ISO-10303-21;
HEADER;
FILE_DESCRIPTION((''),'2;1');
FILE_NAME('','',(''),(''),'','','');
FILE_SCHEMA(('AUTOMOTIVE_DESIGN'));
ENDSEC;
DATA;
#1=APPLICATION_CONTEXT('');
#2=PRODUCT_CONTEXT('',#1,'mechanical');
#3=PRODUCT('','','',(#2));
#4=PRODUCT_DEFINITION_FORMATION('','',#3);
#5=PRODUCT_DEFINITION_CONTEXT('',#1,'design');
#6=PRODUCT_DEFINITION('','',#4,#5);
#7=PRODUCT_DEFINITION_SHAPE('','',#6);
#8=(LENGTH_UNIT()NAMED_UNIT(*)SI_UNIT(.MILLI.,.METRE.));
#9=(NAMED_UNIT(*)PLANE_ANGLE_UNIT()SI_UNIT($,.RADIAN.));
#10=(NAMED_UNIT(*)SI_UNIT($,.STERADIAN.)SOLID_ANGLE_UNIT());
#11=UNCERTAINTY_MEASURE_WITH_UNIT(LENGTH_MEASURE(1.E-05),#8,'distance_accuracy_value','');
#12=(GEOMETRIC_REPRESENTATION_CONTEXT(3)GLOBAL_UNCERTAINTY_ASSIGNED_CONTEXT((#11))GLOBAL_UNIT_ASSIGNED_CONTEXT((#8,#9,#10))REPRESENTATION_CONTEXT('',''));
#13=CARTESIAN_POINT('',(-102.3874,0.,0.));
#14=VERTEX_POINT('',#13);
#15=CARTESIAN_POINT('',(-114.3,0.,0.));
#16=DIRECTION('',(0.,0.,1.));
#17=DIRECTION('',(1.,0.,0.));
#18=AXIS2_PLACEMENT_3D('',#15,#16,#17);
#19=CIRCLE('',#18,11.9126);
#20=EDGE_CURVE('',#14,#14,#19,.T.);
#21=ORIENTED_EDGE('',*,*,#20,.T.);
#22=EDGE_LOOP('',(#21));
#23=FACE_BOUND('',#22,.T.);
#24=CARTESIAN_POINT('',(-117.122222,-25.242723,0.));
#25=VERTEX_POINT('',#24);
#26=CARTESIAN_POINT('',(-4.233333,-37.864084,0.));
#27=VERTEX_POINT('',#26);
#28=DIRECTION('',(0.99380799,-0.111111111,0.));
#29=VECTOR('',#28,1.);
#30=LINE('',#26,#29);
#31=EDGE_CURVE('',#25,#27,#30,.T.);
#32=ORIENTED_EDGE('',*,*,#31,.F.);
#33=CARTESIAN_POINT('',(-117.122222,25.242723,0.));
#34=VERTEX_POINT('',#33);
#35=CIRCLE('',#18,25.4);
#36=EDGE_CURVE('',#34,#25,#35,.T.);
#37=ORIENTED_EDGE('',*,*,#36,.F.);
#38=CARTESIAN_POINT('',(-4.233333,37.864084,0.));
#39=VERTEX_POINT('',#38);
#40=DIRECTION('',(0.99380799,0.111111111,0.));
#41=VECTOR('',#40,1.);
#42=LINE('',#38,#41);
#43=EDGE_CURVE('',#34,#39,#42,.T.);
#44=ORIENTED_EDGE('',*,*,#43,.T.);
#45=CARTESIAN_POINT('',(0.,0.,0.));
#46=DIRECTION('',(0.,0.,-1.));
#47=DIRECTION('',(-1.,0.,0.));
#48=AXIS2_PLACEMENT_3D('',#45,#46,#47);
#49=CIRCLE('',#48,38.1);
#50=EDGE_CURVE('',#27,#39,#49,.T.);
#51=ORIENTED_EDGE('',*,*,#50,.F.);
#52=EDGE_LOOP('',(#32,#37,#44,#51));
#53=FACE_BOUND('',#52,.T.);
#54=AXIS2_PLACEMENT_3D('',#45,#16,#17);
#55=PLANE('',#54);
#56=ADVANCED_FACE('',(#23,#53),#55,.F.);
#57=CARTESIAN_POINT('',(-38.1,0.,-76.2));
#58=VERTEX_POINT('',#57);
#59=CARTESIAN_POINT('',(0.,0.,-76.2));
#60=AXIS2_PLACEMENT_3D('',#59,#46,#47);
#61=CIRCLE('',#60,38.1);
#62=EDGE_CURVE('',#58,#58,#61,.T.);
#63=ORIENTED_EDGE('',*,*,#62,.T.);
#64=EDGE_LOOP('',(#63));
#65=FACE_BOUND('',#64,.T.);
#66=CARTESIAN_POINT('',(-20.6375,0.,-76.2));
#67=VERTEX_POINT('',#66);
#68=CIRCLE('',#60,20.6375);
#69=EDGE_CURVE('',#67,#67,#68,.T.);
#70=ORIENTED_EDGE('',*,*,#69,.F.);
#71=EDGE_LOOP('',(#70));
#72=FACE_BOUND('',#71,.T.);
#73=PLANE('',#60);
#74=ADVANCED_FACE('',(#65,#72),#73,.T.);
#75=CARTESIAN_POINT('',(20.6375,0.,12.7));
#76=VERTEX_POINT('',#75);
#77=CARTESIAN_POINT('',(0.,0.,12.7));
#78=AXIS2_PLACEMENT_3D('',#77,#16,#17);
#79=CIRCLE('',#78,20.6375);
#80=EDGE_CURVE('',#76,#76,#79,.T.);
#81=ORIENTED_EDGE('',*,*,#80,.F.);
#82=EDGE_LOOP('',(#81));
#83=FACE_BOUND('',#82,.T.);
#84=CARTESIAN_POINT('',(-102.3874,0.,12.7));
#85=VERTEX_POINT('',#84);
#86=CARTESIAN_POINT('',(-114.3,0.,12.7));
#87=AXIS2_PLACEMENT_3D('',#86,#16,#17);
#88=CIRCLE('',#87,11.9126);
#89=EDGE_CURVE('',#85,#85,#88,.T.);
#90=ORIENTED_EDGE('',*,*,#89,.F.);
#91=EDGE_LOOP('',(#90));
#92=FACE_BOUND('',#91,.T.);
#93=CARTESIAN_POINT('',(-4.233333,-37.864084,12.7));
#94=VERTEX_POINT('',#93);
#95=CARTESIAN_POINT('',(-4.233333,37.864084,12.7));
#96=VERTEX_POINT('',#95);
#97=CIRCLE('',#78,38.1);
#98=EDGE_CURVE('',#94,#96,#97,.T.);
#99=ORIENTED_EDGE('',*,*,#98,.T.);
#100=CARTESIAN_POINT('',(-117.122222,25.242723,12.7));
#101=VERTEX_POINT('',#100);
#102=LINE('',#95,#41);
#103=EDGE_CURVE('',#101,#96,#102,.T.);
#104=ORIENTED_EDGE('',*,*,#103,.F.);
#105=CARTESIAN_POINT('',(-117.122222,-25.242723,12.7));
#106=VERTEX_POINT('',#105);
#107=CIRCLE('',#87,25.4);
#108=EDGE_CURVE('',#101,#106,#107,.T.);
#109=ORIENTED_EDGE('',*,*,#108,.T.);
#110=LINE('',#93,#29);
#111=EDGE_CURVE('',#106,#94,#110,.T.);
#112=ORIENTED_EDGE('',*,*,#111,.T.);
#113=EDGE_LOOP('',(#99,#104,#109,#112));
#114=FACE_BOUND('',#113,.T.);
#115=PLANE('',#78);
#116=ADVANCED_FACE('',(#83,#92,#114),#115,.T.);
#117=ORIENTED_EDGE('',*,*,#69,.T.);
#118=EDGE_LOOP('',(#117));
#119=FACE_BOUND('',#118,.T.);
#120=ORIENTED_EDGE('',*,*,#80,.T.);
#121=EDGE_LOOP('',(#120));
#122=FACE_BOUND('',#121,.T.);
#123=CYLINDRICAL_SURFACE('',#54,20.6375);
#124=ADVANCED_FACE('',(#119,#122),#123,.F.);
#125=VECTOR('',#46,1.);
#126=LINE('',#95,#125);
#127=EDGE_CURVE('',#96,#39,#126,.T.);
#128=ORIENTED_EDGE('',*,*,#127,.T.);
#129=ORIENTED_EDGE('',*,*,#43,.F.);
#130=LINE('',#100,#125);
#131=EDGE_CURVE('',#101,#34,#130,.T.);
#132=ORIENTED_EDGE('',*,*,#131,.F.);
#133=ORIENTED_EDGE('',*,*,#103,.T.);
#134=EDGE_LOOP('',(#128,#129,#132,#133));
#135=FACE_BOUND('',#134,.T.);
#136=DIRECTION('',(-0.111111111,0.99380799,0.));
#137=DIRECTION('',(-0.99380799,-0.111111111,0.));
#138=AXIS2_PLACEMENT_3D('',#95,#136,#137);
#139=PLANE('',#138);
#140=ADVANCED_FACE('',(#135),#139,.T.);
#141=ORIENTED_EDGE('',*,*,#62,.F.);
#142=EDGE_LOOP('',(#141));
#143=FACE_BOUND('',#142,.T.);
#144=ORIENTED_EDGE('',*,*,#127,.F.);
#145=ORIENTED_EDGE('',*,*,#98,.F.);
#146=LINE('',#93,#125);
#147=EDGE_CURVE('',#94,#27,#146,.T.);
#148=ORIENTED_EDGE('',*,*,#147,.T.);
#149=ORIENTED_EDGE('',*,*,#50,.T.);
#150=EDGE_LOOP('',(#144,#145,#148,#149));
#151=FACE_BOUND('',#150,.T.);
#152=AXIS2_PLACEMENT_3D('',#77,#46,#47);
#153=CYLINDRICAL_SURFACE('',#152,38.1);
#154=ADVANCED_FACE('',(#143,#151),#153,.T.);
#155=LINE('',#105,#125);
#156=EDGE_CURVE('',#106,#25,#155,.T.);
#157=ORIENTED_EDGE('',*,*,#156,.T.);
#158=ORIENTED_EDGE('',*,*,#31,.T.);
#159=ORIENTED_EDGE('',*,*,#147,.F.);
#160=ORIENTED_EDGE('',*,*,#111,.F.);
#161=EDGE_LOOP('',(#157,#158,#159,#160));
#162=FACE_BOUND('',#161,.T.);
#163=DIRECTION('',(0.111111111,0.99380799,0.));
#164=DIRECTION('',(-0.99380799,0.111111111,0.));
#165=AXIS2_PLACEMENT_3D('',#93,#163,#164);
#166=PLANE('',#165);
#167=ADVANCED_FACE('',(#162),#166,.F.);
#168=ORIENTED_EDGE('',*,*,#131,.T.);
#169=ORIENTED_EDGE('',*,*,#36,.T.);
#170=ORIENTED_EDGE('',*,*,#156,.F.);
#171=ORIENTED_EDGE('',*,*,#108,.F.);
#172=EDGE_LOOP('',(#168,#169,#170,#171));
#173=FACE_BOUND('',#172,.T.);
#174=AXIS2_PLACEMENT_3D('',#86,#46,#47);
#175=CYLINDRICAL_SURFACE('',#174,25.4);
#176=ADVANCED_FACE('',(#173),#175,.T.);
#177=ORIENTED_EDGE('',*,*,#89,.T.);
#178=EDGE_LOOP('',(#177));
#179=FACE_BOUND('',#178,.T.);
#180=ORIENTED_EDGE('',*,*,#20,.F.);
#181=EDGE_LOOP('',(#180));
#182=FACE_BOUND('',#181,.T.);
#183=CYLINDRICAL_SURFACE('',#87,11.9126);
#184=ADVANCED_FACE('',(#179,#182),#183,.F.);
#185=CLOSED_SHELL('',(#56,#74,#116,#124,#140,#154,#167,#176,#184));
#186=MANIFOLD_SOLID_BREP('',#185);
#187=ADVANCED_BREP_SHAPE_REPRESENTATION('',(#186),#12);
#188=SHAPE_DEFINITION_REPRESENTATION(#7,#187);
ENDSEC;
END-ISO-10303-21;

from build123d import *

# Parameters (mm, degrees)
BOSS_EXTRUDE1_DEPTH                                 = 12.7
CBORE_FOR_0_BINDING_HEAD_MACHINE_SCREW1_D           = 15.875
CBORE_FOR_0_BINDING_HEAD_MACHINE_SCREW1_CBORE_D     = 23.8252
CBORE_FOR_0_BINDING_HEAD_MACHINE_SCREW1_CBORE_DEPTH = 15.875
SKETCH9_R                                           = 20.6375
CUT_EXTRUDE2_DEPTH                                  = 146.358143907
SKETCH11_R                                          = 38.1
SKETCH11_R_2                                        = 20.6375
BOSS_EXTRUDE2_DEPTH                                 = 76.2


with BuildPart() as part:
    # Sketch1 → Boss-Extrude1 (new body)
    with BuildSketch(Plane.XY):
        with BuildLine():
            ThreePointArc((-117.122222222, 25.242722946), (-139.7, 0), (-117.122222222, -25.242722946))
            Line((-117.122222222, -25.242722946), (-4.233333333, -37.864084419))
            ThreePointArc((-4.233333333, -37.864084419), (38.1, 0), (-4.233333333, 37.864084419))
            Line((-4.233333333, 37.864084419), (-117.122222222, 25.242722946))
        make_face()
    extrude(amount=BOSS_EXTRUDE1_DEPTH)

    # CBORE for #0 Binding Head Machine Screw1 (through all)
    with Locations(Plane.XY.offset(12.7)):
        with Locations((-114.3, 0)):
            CounterBoreHole(CBORE_FOR_0_BINDING_HEAD_MACHINE_SCREW1_D / 2, CBORE_FOR_0_BINDING_HEAD_MACHINE_SCREW1_CBORE_D / 2, CBORE_FOR_0_BINDING_HEAD_MACHINE_SCREW1_CBORE_DEPTH)

    # Sketch9 → Cut-Extrude2 (cut, through all)
    with BuildSketch(Plane.XY.offset(12.7)):
        Circle(SKETCH9_R)
    extrude(amount=-CUT_EXTRUDE2_DEPTH, mode=Mode.SUBTRACT)

    # Sketch11 → Boss-Extrude2 (add)
    with BuildSketch(Plane(origin=(0, 0, 0), x_dir=(-1, 0, 0), z_dir=(0, 0, -1))):
        Circle(SKETCH11_R)
        with Locations(Location((0, 0, 0), (0, 0, 180))):
            Circle(SKETCH11_R_2, mode=Mode.SUBTRACT)
    extrude(amount=BOSS_EXTRUDE2_DEPTH)


solid = part.part
